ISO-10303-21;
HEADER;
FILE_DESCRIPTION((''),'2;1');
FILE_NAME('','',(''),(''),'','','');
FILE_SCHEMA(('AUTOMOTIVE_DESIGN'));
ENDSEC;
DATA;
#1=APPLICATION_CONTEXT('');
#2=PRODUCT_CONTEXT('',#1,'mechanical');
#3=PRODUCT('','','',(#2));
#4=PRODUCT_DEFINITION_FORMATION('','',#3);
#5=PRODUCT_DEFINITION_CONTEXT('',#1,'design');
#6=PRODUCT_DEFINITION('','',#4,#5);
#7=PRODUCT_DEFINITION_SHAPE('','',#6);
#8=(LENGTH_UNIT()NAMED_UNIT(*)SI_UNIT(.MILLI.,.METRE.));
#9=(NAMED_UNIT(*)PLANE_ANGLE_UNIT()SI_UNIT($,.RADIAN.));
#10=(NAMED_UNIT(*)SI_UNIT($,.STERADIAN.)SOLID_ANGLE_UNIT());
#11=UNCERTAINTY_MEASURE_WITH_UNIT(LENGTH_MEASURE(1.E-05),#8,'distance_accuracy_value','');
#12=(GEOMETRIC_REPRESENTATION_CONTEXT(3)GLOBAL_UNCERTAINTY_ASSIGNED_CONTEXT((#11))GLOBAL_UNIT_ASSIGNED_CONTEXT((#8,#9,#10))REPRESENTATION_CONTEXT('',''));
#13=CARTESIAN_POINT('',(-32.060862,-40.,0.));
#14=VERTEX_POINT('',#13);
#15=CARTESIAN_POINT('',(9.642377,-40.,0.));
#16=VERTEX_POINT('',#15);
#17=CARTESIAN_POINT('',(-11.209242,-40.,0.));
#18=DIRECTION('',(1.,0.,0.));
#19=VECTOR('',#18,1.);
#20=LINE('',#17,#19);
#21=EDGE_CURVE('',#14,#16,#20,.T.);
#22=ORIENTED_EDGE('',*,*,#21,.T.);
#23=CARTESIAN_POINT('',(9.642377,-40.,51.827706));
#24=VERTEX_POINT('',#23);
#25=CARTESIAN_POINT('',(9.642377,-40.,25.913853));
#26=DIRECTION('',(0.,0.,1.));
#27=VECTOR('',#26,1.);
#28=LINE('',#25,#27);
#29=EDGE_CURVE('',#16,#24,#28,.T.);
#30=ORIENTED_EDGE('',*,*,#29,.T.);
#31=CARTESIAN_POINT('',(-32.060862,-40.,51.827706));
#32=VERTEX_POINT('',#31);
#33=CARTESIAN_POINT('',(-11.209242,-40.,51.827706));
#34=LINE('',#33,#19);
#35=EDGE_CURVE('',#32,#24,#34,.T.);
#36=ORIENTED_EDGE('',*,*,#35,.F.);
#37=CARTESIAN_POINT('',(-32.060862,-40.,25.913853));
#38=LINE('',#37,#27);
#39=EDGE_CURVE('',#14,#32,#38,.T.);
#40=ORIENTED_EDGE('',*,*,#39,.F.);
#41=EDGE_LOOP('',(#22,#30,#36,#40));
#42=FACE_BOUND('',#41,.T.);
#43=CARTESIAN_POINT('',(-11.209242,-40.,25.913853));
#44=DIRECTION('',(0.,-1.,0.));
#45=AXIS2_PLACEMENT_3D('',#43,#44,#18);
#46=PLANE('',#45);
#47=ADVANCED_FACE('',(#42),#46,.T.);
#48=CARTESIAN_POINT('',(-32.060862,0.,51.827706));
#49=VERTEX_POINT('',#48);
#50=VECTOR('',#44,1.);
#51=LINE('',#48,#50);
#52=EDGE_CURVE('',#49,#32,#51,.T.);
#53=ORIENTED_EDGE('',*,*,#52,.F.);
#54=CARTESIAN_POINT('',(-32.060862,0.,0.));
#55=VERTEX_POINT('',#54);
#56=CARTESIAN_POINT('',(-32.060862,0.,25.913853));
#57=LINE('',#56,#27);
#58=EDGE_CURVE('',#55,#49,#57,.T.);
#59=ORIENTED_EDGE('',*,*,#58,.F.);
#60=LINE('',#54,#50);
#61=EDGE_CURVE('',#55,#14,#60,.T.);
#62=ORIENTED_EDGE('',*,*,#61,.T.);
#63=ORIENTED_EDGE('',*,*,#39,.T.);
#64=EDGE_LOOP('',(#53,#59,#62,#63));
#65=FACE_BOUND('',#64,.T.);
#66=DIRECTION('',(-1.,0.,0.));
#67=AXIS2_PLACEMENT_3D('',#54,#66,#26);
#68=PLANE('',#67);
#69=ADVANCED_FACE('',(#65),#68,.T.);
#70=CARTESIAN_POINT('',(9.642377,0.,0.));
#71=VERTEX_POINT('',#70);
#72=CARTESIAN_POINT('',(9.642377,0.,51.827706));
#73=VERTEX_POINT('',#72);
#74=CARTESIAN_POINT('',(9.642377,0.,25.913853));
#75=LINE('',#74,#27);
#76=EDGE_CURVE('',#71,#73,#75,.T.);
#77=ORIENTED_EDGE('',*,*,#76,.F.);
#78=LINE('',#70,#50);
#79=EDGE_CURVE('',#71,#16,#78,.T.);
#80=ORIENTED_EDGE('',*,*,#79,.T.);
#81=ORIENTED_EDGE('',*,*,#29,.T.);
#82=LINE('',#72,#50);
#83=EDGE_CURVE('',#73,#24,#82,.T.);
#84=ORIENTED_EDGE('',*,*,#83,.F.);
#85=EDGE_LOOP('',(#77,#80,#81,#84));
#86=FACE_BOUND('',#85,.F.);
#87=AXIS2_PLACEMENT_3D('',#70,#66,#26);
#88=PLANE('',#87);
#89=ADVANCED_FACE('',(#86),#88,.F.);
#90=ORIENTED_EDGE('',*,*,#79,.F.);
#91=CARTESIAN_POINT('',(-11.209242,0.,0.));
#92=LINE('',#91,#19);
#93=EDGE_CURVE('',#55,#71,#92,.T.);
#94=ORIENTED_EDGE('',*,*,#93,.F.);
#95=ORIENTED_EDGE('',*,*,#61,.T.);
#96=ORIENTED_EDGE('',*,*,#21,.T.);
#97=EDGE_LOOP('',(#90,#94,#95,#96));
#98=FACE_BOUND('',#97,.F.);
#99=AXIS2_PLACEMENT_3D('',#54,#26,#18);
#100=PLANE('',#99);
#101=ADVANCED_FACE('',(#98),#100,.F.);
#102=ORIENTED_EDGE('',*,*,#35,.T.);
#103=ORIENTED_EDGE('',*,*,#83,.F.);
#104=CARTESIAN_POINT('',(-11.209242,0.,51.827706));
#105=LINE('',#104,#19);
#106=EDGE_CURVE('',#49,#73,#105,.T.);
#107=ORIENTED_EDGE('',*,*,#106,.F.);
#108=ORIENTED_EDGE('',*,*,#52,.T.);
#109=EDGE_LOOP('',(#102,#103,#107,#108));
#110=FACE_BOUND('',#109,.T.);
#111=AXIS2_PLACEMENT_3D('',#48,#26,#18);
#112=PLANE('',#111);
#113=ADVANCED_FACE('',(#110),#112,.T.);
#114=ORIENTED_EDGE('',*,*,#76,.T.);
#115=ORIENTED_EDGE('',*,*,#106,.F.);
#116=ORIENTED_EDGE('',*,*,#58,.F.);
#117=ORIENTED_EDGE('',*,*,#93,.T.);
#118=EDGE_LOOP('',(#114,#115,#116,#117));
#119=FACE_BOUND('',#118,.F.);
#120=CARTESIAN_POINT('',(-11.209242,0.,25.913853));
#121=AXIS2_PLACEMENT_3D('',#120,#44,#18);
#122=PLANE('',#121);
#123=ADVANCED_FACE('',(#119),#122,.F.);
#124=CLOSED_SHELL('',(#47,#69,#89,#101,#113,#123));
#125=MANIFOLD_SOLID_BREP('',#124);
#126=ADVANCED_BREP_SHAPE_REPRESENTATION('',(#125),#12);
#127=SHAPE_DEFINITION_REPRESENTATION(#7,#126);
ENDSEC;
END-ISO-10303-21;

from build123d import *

# Parameters (mm, degrees)
F0_W     = 41.7032390833
F0_H     = 51.8277063966
F1_DEPTH = 60
F2_DEPTH = 20


with BuildPart() as f1:
    # F0 (on Front) → F1 (new body)
    with BuildSketch(Plane.XZ):
        with Locations((-11.2092420459, 25.9138531983)):
            Rectangle(F0_W, F0_H)
    extrude(amount=F1_DEPTH)

    # F2 (cut): a face of the model
    f2_faces = [f1.faces().sort_by_distance(p)[0] for p in [
        (-11.2092420459, -60, 25.9138531983),
    ]]
    extrude(f2_faces, amount=-F2_DEPTH, mode=Mode.SUBTRACT)


solid = f1.part
